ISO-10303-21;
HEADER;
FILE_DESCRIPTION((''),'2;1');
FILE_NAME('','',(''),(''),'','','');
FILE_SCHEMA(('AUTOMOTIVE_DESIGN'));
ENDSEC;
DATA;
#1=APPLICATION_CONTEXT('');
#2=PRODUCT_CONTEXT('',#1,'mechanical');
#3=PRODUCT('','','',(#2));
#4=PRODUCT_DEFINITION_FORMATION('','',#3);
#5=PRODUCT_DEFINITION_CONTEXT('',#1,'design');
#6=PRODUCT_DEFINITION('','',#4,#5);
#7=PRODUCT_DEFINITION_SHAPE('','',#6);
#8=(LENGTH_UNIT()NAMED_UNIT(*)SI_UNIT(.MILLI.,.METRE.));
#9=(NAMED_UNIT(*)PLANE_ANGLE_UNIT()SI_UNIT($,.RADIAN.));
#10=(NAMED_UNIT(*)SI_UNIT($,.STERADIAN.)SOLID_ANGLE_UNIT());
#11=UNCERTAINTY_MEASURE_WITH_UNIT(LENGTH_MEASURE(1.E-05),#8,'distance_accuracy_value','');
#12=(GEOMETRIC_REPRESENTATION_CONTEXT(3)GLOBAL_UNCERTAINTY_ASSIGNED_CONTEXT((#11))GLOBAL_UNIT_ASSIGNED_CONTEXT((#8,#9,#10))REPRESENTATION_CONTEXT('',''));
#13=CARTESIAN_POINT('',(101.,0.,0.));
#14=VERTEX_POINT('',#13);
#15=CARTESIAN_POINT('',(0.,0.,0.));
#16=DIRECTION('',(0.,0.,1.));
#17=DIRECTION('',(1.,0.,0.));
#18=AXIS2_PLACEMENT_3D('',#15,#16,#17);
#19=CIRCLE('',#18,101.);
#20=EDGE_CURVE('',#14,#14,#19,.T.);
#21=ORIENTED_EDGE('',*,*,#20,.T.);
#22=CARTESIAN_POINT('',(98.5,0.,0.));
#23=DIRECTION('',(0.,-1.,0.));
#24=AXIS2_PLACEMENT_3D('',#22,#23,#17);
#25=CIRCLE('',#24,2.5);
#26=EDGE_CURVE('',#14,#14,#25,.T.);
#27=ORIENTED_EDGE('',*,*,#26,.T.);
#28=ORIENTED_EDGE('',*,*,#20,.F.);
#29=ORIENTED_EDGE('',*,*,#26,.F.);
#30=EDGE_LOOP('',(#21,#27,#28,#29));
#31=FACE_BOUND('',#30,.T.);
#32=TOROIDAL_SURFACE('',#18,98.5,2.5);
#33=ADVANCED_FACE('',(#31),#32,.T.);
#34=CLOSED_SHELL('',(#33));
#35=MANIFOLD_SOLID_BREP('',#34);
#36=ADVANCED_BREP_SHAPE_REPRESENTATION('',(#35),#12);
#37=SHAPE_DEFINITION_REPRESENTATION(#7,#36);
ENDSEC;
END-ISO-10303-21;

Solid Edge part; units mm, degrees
sketch "Sketch1" plane through (0, 0, 0) normal (0, -1, 0) x (1, 0, 0)
  circle A0 centre (98.5, 0) radius 2.5
  dimension "D1" = 5
revolve "RevolvedProtrusion1" add sketch "Sketch1" angle 360 about axis through (0, 0, 0) along (0, 0, 1)
properties material "ABS Plastic, medium impact"
